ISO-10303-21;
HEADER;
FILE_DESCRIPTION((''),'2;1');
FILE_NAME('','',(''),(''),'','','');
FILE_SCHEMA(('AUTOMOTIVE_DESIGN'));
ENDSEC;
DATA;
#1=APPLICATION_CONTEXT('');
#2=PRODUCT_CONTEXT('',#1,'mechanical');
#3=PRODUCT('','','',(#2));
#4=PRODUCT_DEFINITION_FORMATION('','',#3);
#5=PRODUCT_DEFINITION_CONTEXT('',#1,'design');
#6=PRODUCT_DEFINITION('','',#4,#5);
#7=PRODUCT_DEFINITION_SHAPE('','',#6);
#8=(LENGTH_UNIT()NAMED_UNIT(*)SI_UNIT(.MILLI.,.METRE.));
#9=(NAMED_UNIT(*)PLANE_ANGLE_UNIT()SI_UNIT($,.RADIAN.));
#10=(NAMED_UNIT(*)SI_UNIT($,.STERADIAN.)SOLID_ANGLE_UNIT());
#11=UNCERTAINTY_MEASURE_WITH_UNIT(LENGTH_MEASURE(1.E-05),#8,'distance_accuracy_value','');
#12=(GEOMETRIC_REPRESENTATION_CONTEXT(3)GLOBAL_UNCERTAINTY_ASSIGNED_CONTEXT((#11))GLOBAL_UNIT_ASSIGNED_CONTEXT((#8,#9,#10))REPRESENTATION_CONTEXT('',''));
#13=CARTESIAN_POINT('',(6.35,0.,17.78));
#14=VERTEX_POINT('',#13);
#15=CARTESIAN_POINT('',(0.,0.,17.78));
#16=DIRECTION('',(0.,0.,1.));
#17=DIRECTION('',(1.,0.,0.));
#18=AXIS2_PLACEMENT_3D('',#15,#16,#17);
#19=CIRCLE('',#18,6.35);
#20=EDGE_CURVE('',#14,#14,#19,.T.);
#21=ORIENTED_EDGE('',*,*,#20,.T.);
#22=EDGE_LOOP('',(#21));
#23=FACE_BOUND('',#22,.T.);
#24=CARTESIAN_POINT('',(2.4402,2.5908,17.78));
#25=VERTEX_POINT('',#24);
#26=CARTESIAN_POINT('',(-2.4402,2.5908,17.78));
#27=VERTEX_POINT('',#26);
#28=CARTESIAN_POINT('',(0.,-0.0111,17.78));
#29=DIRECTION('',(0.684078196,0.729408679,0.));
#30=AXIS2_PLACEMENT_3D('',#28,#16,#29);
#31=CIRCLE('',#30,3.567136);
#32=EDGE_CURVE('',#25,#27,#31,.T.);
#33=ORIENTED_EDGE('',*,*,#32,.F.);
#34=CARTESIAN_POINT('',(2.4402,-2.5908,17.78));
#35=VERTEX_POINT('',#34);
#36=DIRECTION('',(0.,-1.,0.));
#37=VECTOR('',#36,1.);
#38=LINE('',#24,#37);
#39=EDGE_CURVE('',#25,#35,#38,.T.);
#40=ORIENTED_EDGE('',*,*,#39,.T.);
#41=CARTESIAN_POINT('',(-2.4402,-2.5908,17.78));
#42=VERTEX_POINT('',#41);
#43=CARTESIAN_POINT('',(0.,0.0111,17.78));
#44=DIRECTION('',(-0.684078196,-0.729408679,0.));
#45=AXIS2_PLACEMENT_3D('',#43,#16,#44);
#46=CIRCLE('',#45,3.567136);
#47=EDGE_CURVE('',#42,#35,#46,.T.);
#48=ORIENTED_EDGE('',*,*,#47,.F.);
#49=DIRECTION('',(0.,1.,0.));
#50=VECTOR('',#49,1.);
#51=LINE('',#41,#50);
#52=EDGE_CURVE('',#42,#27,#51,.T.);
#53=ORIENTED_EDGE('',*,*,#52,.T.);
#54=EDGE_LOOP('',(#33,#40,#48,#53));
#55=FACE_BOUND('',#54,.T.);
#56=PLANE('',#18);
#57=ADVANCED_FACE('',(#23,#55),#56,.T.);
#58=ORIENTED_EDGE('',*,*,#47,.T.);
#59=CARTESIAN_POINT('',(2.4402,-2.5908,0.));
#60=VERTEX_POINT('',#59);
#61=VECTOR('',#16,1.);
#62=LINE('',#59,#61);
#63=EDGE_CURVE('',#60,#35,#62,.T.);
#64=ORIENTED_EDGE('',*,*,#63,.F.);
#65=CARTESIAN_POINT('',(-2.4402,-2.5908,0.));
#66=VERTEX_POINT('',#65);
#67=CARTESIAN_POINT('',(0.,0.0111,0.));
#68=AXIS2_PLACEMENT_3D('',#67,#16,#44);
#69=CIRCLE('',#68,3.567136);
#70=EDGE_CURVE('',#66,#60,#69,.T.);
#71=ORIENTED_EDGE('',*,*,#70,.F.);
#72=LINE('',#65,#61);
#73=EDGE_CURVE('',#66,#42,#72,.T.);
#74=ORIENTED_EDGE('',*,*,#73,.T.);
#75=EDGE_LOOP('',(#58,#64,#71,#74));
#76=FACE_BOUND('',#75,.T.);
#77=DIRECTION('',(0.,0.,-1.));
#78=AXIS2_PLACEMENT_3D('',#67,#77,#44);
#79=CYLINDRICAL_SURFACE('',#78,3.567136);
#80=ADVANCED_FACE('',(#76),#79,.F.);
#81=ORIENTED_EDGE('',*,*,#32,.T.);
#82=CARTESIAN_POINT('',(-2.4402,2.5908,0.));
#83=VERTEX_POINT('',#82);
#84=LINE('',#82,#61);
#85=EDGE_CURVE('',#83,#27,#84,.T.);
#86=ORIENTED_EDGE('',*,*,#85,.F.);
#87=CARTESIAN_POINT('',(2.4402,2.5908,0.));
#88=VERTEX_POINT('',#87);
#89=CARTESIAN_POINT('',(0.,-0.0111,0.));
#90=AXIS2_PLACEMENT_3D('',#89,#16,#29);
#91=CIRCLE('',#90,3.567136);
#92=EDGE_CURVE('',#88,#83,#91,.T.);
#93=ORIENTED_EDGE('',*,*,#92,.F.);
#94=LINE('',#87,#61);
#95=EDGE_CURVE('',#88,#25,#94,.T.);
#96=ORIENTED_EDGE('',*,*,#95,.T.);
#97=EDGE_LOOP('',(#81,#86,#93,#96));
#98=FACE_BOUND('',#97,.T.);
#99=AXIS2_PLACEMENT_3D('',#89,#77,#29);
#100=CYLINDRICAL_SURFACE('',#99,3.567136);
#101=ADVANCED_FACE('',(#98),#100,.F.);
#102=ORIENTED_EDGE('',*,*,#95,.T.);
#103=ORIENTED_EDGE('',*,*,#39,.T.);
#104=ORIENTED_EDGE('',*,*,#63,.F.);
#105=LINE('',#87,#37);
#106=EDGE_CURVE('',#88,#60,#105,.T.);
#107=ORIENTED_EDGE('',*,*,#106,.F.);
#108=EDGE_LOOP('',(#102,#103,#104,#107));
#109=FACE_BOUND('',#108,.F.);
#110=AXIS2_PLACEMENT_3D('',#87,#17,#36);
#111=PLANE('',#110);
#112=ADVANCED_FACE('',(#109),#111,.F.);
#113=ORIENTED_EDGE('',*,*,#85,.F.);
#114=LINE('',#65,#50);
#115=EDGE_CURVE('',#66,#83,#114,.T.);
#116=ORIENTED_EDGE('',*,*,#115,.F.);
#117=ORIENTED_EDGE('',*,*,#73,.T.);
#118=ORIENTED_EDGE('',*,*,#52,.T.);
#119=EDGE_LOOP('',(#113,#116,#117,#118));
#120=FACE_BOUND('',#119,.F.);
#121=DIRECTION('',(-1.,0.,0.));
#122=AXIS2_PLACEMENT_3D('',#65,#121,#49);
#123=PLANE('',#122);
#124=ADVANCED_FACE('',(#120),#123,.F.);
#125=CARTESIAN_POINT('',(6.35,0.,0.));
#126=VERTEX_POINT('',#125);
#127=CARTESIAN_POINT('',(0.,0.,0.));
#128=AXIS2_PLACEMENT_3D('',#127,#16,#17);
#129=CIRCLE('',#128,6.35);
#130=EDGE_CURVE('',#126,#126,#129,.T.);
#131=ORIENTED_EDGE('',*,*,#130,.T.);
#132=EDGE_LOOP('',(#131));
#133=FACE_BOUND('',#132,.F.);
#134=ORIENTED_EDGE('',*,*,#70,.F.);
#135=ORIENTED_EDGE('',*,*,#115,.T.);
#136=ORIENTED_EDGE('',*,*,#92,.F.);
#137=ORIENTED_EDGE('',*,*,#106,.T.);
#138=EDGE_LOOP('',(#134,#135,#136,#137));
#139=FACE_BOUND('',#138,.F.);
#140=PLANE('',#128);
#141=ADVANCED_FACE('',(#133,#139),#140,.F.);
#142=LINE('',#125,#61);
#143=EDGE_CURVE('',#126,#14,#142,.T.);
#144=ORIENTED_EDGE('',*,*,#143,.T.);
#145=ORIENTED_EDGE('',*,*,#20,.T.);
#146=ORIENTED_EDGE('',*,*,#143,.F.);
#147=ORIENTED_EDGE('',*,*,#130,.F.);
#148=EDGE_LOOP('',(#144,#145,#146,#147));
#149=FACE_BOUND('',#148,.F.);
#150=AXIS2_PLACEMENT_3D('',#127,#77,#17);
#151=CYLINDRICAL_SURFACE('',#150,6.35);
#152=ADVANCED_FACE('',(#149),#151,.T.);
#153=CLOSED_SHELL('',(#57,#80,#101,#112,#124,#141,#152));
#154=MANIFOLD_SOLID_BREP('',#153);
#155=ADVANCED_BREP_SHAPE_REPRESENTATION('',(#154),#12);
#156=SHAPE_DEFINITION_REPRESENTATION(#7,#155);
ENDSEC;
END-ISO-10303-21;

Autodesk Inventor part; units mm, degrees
ref_plane "YZ Plane" through (0, 0, 0) normal (1, 0, 0) x (0, 1, 0)
ref_plane "XZ Plane" through (0, 0, 0) normal (0, 1, 0) x (-1, 0, 0)
ref_plane "XY Plane" through (0, 0, 0) normal (0, 0, 1) x (1, 0, 0)
sketch "Sketch1" plane through (0, 0, 0) normal (0, 0, 1) x (1, 0, 0)
  circle A0 centre (0, 0) radius 6.35
  line L0 (-2.4402, 2.5908) -> (2.4402, 2.5908)
  line L1 (2.4402, 2.5908) -> (2.4402, -2.5908)
  line L2 (2.4402, -2.5908) -> (-2.4402, -2.5908)
  line L3 (-2.4402, -2.5908) -> (-2.4402, 2.5908)
  line L4 (-2.4402, 2.5908) -> (2.4402, -2.5908) construction
  line L5 (2.4402, 2.5908) -> (-2.4402, -2.5908) construction
  arc A1 (2.4402, 2.5908) -> (-2.4402, 2.5908) centre (0, -0.0111) ccw
  arc A2 (-2.4402, -2.5908) -> (2.4402, -2.5908) centre (0, 0.0111) ccw
  dimension "d0" = 12.7
  dimension "d1" = 5.1816
  dimension "d2" = 4.8803
  dimension "d5" = 3.5671
  dimension "d6" = 3.5671
extrude "Extrusion1" add sketch "Sketch1" along normal blind 17.78
properties part number "lazy susan motor test fit"
